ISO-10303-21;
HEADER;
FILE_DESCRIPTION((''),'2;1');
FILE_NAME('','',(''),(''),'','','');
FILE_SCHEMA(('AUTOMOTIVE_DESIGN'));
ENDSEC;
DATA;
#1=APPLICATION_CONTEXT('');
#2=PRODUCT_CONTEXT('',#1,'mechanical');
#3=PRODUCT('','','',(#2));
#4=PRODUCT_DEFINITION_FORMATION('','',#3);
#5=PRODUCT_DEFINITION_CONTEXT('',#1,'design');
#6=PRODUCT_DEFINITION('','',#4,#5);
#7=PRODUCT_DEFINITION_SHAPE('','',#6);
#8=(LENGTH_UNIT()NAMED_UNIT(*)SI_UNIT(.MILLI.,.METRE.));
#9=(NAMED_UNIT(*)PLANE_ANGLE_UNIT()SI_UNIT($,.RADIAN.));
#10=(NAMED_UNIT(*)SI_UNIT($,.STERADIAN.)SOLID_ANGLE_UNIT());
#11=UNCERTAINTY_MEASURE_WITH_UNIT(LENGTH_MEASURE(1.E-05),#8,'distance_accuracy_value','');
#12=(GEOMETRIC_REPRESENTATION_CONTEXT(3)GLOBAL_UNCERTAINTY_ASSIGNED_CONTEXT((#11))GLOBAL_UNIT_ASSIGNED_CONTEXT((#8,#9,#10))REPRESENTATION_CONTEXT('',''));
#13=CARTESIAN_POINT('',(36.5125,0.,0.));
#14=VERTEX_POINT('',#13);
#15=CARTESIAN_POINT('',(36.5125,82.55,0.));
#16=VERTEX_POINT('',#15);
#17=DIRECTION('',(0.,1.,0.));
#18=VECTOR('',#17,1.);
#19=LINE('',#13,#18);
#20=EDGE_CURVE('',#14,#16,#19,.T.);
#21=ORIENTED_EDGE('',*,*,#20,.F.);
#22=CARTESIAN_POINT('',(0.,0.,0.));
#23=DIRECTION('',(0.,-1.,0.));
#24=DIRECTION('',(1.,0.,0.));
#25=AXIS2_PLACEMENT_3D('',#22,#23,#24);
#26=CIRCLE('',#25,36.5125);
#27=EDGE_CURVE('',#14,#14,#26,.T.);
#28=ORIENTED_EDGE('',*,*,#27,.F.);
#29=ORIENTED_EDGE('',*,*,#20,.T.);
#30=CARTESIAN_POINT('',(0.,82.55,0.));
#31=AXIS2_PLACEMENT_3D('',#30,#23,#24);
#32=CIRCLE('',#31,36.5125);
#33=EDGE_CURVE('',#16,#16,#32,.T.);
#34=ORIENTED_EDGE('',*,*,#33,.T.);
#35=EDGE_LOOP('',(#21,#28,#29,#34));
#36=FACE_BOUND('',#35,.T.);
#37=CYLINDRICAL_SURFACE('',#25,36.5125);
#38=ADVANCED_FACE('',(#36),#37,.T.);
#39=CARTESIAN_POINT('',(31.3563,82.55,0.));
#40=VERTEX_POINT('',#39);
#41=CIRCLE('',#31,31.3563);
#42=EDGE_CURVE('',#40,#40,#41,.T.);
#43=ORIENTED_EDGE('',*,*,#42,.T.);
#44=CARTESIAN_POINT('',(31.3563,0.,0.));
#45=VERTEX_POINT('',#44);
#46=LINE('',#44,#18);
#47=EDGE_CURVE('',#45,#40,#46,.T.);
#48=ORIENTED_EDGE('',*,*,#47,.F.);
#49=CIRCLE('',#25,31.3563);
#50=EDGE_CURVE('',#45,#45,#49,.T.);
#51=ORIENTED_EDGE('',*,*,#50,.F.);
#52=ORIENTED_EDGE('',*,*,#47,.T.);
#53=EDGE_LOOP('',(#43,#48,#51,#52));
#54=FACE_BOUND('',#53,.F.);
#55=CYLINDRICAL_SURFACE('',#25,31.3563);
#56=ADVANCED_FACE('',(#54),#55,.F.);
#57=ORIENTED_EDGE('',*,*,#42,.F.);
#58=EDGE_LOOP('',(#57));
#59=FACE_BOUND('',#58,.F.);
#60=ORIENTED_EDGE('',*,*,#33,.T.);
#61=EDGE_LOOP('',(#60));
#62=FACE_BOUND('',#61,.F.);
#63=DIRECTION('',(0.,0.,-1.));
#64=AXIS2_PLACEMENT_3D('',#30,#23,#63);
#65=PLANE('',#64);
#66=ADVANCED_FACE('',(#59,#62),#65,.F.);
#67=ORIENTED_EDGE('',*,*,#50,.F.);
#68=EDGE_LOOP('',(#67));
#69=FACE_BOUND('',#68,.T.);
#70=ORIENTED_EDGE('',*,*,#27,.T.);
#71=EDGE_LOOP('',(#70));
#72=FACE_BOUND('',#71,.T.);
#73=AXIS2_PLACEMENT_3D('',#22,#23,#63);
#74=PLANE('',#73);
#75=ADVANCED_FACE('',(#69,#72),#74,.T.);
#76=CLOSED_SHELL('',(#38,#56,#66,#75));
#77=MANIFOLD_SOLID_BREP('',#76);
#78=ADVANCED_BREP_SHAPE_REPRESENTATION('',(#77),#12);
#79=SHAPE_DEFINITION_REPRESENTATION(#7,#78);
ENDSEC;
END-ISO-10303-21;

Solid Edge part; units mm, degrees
sketch "Sketch1" plane through (0, 0, 0) normal (0, -1, 0) x (1, 0, 0)
  circle A0 centre (0, 0) radius 31.3563
  circle A1 centre (0, 0) radius 36.5125
  dimension "D1" = 73.025
  dimension "D2" = 5.1562
  dimension "D3" = 125.4252
extrude "Protrusion1" add sketch "Sketch1" against normal blind 82.55
